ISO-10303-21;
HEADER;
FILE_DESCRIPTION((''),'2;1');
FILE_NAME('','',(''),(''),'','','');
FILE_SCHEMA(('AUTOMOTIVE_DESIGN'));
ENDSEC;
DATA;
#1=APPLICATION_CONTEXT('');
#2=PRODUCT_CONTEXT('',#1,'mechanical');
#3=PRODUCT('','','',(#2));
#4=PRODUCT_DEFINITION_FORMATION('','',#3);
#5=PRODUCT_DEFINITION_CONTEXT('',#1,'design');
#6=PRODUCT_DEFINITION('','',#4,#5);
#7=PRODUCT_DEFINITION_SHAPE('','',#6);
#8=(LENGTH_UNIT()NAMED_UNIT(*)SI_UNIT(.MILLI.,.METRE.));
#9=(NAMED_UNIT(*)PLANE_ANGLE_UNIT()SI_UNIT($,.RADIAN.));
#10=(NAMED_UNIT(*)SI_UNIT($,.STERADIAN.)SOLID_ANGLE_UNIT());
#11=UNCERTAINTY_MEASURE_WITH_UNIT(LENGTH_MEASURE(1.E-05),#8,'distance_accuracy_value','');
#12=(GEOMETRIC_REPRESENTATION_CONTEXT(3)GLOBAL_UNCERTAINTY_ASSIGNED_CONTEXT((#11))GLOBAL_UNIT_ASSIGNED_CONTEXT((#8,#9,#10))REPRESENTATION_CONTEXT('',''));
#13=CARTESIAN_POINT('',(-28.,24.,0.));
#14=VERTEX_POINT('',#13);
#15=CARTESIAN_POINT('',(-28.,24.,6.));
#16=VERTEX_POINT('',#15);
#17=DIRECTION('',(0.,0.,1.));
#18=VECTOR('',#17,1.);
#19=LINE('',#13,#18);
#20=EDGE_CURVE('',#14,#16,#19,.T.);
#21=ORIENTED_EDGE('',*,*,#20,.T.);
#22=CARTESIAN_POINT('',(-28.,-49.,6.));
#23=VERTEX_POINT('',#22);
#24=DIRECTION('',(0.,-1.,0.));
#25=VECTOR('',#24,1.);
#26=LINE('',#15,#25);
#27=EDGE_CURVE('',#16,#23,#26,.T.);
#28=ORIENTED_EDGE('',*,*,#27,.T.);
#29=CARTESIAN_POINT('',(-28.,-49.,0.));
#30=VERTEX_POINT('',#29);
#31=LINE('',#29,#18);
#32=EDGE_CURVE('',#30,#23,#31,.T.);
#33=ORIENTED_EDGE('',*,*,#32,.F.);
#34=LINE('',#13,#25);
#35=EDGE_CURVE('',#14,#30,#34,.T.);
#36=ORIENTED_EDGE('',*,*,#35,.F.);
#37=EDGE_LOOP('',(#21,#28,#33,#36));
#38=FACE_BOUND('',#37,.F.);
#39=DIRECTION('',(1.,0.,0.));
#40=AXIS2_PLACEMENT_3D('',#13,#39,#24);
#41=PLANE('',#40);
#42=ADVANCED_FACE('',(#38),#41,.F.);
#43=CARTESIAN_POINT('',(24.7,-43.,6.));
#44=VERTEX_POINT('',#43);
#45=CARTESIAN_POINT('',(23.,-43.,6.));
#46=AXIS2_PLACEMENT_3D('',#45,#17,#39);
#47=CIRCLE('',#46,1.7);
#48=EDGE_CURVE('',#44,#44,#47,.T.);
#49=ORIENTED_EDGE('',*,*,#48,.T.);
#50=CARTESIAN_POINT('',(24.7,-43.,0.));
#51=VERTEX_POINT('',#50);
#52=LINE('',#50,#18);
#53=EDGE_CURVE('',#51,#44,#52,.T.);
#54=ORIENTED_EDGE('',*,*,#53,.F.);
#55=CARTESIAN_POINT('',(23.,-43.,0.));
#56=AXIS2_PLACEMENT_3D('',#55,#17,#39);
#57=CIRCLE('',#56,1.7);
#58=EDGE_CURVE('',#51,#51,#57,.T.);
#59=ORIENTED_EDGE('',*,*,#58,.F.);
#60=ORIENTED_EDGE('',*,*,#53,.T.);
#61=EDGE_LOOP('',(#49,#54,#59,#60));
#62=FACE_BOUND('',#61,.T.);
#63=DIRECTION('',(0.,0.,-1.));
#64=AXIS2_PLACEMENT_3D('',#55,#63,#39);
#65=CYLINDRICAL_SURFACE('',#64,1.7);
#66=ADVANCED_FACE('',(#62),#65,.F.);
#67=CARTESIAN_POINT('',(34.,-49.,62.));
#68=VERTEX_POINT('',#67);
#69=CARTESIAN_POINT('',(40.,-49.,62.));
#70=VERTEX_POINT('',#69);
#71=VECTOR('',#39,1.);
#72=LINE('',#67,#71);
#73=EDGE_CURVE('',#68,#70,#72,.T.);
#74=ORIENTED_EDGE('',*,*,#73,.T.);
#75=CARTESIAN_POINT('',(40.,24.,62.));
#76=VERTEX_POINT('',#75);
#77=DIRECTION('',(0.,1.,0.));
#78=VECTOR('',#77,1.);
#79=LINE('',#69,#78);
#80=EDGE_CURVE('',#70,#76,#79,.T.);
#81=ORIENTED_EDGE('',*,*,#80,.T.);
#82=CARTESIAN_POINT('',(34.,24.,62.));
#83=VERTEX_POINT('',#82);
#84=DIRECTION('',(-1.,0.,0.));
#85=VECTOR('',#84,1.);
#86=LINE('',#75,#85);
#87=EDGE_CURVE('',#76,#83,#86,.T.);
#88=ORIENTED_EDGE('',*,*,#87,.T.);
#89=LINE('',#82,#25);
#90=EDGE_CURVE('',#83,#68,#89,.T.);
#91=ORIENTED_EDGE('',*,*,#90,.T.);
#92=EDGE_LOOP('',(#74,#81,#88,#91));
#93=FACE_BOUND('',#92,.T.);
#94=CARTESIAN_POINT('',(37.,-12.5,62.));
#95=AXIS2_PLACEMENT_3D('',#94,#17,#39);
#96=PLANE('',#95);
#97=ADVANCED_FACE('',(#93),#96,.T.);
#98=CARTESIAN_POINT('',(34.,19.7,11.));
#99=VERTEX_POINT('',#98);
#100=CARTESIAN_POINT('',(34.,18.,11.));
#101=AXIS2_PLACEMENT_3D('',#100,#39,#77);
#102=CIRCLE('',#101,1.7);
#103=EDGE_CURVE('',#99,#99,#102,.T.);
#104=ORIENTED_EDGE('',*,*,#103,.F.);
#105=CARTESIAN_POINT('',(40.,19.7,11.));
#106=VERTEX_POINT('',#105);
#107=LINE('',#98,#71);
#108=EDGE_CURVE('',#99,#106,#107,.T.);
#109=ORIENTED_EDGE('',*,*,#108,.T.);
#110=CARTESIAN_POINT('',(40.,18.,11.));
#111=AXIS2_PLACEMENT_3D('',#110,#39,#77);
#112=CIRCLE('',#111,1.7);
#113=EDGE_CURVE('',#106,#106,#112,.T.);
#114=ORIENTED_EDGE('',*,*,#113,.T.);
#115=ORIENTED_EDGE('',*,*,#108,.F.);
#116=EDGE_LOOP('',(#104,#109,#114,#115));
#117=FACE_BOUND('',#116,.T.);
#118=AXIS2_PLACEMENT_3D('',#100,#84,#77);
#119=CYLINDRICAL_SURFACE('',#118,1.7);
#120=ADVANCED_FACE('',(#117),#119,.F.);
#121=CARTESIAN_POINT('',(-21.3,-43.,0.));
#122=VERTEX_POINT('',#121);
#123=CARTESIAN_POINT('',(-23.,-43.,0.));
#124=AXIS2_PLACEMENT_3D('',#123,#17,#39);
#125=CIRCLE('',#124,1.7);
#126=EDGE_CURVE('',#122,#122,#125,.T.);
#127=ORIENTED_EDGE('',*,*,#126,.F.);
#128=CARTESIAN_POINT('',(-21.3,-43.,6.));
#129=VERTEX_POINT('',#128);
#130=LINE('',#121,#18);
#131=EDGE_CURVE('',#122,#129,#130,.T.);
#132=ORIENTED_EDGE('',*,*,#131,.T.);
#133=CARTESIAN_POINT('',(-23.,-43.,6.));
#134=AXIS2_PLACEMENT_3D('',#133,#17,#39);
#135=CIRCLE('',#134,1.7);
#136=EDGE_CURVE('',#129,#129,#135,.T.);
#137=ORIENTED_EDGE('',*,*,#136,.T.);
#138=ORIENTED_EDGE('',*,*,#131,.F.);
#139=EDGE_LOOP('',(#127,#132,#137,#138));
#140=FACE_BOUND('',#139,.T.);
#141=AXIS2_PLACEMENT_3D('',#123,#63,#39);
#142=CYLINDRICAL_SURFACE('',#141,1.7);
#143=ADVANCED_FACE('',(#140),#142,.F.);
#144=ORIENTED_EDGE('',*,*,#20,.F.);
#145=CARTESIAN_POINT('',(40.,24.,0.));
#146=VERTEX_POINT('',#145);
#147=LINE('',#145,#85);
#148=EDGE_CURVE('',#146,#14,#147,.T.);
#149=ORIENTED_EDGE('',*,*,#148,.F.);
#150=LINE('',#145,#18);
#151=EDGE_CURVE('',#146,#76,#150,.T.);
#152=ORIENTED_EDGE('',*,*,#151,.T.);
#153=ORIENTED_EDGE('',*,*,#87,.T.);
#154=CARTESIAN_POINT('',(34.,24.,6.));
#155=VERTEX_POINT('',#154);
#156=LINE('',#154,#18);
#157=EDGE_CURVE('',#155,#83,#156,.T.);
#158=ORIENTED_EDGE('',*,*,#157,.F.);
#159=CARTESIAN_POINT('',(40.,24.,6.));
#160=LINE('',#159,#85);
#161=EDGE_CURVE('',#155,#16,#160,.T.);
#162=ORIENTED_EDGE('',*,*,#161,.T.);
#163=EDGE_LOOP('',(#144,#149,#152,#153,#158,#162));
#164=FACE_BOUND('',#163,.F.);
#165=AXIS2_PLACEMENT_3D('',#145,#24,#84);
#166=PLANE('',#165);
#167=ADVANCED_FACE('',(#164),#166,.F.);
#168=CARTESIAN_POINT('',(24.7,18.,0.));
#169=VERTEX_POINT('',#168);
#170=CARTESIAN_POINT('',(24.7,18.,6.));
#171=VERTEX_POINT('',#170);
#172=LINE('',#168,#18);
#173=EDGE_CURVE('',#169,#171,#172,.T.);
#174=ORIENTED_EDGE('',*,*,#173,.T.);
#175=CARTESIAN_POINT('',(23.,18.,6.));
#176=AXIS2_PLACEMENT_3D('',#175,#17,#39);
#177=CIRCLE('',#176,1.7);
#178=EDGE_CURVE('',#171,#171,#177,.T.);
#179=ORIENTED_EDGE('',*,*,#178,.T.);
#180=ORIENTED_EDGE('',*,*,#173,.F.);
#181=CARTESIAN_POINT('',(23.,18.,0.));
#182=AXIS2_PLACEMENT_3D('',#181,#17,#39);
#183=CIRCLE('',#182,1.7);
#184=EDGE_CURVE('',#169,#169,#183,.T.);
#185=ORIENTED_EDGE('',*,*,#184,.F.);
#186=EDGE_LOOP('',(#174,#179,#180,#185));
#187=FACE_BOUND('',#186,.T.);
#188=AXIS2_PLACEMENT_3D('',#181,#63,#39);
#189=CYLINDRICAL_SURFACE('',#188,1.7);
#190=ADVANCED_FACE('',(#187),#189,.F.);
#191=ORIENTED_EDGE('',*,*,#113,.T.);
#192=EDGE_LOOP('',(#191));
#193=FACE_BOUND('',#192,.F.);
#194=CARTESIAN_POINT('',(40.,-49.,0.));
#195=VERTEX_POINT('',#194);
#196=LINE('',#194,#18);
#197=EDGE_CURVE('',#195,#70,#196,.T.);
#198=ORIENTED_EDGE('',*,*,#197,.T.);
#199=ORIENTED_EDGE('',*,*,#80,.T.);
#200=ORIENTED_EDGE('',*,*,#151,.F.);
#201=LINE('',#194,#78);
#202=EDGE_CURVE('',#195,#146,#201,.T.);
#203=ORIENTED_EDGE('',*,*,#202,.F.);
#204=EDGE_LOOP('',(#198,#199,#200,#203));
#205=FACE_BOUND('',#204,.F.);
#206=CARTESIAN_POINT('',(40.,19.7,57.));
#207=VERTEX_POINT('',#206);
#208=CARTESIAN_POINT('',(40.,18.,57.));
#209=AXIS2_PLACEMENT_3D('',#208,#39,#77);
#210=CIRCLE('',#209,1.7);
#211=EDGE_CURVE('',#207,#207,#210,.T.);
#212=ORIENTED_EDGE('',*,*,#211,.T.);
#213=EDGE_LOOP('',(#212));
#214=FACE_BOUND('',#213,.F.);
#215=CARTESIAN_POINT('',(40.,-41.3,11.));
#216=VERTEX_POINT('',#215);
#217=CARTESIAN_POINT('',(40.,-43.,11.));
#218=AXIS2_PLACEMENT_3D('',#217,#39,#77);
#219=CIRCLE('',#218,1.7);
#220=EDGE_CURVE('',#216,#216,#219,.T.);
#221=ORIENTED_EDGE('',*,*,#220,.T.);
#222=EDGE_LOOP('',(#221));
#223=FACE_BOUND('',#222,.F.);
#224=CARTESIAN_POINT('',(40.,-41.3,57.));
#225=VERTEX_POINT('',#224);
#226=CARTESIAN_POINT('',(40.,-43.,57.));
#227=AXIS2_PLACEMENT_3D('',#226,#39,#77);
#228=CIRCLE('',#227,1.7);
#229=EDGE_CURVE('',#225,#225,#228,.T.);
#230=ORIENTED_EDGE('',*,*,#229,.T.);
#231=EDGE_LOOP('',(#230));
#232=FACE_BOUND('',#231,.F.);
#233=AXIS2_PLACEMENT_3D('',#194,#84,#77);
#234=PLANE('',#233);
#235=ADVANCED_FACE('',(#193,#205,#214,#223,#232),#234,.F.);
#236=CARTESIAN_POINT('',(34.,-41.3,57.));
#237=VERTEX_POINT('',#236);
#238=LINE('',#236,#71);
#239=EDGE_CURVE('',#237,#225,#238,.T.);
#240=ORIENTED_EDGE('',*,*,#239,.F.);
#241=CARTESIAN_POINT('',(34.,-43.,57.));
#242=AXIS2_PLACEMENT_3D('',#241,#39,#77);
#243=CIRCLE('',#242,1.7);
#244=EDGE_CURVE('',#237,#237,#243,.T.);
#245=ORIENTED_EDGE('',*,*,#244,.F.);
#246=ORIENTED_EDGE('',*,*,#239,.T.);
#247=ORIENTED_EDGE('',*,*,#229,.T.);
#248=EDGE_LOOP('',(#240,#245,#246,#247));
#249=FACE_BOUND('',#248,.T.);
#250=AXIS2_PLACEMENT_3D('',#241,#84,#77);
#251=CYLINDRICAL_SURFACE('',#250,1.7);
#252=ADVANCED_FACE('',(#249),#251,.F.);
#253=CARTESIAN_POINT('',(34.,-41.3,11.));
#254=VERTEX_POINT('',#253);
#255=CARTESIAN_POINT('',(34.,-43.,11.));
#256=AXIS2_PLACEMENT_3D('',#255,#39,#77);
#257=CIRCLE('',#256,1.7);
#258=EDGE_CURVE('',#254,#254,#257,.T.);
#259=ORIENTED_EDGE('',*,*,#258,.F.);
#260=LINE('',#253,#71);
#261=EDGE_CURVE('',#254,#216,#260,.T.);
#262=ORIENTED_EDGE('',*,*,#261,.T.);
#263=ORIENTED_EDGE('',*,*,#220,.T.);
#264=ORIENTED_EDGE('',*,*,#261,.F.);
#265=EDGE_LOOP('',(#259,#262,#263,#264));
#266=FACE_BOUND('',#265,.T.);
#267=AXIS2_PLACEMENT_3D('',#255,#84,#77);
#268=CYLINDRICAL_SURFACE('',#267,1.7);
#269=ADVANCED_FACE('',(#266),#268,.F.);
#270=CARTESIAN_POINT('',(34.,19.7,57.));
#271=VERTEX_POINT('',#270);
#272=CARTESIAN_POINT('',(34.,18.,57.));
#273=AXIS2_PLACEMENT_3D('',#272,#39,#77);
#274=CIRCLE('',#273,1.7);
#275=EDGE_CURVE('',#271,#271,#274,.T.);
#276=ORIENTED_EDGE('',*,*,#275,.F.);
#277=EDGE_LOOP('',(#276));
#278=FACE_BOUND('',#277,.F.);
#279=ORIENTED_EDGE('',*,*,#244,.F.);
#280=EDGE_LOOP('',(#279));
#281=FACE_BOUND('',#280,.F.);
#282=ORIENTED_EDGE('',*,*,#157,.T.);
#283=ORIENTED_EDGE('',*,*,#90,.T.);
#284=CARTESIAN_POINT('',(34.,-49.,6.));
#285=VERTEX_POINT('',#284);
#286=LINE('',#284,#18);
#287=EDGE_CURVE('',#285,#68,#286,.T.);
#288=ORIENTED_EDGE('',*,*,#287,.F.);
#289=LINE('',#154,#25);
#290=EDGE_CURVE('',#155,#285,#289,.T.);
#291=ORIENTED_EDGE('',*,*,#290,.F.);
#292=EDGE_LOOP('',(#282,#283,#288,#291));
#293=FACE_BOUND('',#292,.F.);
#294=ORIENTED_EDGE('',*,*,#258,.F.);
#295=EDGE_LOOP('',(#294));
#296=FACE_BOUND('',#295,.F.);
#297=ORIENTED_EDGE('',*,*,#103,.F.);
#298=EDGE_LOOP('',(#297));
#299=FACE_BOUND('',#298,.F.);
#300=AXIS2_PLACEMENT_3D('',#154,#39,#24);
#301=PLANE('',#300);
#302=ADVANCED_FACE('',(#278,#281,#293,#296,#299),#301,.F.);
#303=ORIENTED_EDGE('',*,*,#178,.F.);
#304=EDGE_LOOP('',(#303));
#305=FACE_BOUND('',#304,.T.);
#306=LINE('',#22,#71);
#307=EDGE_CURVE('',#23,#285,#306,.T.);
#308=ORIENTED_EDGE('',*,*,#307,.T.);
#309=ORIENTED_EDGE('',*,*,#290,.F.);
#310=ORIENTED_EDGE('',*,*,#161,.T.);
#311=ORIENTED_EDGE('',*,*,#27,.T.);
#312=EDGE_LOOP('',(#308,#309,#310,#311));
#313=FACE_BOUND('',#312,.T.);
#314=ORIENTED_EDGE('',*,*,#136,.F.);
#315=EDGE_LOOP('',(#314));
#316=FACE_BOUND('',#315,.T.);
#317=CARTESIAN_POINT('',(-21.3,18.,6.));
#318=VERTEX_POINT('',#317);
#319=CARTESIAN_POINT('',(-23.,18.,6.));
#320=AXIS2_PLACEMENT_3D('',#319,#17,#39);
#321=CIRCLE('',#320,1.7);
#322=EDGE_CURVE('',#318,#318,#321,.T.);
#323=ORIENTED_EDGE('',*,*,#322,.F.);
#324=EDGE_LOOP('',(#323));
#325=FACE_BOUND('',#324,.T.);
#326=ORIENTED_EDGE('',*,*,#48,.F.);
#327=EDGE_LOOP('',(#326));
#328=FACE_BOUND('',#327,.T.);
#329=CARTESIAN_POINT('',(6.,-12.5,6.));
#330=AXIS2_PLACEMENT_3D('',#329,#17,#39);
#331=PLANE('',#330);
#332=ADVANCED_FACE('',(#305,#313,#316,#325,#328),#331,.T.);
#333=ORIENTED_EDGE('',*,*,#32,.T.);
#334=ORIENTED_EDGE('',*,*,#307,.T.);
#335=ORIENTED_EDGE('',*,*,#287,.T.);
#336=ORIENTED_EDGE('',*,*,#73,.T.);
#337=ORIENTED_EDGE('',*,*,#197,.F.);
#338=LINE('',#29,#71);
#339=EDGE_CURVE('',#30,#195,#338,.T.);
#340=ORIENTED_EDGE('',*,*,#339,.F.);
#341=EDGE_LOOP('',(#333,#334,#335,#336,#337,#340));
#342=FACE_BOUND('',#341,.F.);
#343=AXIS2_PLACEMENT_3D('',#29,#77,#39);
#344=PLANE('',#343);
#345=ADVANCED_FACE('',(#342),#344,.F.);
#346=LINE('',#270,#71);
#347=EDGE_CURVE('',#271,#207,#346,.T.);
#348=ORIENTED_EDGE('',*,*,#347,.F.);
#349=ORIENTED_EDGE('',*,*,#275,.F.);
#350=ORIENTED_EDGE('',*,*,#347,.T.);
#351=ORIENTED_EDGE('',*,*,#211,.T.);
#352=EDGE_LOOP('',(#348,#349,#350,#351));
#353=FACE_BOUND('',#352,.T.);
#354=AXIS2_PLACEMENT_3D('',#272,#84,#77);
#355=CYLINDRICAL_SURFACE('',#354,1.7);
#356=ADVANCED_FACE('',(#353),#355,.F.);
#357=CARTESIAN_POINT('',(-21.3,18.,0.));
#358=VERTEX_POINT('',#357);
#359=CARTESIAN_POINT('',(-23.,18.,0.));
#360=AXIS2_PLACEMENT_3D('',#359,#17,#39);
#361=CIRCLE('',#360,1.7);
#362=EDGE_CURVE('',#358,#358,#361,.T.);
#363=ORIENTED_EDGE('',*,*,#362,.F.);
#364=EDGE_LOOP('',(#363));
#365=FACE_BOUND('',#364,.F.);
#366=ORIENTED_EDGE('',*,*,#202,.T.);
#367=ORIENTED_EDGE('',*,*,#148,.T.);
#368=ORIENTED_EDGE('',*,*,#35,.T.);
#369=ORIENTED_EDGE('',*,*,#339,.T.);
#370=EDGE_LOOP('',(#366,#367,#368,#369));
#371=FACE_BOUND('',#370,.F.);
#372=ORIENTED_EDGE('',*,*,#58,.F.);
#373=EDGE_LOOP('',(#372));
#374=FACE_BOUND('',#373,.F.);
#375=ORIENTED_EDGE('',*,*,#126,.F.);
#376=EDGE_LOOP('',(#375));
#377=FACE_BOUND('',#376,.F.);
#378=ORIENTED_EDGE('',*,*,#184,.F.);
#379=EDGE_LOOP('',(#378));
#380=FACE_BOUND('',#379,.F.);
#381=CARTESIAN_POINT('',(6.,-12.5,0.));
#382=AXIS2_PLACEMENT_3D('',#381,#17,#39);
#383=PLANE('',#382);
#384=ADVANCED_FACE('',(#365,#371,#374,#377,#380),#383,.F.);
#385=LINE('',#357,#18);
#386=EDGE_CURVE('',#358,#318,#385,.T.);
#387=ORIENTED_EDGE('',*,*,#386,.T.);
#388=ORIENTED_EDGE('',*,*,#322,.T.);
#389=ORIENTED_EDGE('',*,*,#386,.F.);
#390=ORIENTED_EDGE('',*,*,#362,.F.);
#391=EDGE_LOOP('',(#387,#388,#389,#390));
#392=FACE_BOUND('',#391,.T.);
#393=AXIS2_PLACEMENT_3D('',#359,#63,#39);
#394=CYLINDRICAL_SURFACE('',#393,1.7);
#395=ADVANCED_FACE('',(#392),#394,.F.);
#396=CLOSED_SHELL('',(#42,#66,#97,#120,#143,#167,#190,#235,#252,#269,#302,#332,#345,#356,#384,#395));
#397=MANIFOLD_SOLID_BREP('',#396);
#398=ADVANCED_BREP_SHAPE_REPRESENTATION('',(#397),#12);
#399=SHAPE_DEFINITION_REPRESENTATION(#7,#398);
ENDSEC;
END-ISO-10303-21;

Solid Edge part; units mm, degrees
sketch "Sketch1" plane through (0, 0, 0) normal (0, 0, 1) x (1, 0, 0)
  line L0 (-28, -49) -> (40, -49)
  line L1 (40, -49) -> (40, 24)
  line L2 (40, 24) -> (-28, 24)
  line L3 (-28, 24) -> (-28, -49)
  circle A0 centre (-23, -43) radius 1.7
  circle A1 centre (23, -43) radius 1.7
  circle A2 centre (-23, 18) radius 1.7
  circle A3 centre (23, 18) radius 1.7
extrude "Protrusion1" add sketch "Sketch1" along normal blind 6
sketch "Sketch2" plane through (0, 0, 6) normal (0, 0, 1) x (1, 0, 0)
  line L0 (34, -49) -> (40, -49)
  line L1 (40, -49) -> (40, 24)
  line L2 (40, 24) -> (34, 24)
  line L3 (34, 24) -> (34, -49)
extrude "ExtrudedProtrusion_2" add sketch "Sketch2" along normal blind 56
sketch "Sketch3" plane through (34, 0, 0) normal (1, 0, 0) x (0, 1, 0)
  circle A0 centre (-43, 57) radius 1.7
  circle A1 centre (-43, 11) radius 1.7
  circle A2 centre (18, 57) radius 1.7
  circle A3 centre (18, 11) radius 1.7
extrude "ExtrudedCutout_1" cut sketch "Sketch3" along normal blind 6
